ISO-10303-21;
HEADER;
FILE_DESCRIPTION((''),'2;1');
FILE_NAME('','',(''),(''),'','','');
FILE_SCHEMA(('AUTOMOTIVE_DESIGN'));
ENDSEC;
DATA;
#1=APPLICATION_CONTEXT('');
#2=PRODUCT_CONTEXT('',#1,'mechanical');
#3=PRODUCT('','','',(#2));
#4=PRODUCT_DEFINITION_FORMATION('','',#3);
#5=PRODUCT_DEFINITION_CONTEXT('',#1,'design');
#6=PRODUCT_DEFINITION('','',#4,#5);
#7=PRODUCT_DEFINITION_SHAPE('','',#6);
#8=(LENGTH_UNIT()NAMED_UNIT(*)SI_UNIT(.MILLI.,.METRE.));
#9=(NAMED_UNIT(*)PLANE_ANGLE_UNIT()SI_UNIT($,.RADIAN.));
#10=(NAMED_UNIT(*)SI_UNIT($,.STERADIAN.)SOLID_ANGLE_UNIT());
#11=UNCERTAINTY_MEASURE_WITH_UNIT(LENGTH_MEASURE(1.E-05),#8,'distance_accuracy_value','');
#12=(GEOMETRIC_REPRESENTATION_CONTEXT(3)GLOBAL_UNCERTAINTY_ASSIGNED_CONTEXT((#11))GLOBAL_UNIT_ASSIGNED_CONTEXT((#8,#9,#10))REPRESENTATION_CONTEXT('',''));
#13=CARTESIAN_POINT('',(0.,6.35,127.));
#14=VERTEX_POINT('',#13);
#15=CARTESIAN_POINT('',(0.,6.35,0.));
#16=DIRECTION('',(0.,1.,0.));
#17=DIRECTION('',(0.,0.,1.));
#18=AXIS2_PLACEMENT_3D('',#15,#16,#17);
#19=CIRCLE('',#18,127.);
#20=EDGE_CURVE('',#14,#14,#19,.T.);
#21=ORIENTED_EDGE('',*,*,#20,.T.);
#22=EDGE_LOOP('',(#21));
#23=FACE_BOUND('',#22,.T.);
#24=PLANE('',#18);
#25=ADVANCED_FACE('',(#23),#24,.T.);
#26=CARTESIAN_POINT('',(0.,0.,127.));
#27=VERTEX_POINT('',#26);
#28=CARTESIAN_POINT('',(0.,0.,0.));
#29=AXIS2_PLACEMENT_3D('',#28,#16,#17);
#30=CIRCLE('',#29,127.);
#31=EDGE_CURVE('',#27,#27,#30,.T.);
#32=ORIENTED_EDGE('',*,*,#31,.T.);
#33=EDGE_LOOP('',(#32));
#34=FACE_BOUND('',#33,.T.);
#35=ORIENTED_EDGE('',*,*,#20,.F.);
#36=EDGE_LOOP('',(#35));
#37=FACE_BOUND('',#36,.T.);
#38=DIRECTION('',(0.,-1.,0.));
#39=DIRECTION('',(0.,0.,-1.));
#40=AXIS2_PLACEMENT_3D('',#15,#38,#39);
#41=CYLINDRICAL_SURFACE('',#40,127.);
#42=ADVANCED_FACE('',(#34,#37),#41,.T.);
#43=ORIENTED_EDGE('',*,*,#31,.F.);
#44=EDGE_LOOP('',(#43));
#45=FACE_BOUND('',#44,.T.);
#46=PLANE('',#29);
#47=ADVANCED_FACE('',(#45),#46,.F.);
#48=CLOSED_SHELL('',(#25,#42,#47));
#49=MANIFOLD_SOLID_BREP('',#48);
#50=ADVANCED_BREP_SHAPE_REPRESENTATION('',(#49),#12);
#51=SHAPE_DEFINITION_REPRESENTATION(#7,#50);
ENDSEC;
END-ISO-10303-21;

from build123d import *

# Parameters (mm, degrees)
SKETCH1_R           = 127
BOSS_EXTRUDE1_DEPTH = 6.35


with BuildPart() as part:
    # Sketch1 → Boss-Extrude1 (new body)
    with BuildSketch(Plane(origin=(0, 0, 0), x_dir=(1, 0, 0), z_dir=(0, 1, 0))):
        Circle(SKETCH1_R)
    extrude(amount=BOSS_EXTRUDE1_DEPTH)


solid = part.part
